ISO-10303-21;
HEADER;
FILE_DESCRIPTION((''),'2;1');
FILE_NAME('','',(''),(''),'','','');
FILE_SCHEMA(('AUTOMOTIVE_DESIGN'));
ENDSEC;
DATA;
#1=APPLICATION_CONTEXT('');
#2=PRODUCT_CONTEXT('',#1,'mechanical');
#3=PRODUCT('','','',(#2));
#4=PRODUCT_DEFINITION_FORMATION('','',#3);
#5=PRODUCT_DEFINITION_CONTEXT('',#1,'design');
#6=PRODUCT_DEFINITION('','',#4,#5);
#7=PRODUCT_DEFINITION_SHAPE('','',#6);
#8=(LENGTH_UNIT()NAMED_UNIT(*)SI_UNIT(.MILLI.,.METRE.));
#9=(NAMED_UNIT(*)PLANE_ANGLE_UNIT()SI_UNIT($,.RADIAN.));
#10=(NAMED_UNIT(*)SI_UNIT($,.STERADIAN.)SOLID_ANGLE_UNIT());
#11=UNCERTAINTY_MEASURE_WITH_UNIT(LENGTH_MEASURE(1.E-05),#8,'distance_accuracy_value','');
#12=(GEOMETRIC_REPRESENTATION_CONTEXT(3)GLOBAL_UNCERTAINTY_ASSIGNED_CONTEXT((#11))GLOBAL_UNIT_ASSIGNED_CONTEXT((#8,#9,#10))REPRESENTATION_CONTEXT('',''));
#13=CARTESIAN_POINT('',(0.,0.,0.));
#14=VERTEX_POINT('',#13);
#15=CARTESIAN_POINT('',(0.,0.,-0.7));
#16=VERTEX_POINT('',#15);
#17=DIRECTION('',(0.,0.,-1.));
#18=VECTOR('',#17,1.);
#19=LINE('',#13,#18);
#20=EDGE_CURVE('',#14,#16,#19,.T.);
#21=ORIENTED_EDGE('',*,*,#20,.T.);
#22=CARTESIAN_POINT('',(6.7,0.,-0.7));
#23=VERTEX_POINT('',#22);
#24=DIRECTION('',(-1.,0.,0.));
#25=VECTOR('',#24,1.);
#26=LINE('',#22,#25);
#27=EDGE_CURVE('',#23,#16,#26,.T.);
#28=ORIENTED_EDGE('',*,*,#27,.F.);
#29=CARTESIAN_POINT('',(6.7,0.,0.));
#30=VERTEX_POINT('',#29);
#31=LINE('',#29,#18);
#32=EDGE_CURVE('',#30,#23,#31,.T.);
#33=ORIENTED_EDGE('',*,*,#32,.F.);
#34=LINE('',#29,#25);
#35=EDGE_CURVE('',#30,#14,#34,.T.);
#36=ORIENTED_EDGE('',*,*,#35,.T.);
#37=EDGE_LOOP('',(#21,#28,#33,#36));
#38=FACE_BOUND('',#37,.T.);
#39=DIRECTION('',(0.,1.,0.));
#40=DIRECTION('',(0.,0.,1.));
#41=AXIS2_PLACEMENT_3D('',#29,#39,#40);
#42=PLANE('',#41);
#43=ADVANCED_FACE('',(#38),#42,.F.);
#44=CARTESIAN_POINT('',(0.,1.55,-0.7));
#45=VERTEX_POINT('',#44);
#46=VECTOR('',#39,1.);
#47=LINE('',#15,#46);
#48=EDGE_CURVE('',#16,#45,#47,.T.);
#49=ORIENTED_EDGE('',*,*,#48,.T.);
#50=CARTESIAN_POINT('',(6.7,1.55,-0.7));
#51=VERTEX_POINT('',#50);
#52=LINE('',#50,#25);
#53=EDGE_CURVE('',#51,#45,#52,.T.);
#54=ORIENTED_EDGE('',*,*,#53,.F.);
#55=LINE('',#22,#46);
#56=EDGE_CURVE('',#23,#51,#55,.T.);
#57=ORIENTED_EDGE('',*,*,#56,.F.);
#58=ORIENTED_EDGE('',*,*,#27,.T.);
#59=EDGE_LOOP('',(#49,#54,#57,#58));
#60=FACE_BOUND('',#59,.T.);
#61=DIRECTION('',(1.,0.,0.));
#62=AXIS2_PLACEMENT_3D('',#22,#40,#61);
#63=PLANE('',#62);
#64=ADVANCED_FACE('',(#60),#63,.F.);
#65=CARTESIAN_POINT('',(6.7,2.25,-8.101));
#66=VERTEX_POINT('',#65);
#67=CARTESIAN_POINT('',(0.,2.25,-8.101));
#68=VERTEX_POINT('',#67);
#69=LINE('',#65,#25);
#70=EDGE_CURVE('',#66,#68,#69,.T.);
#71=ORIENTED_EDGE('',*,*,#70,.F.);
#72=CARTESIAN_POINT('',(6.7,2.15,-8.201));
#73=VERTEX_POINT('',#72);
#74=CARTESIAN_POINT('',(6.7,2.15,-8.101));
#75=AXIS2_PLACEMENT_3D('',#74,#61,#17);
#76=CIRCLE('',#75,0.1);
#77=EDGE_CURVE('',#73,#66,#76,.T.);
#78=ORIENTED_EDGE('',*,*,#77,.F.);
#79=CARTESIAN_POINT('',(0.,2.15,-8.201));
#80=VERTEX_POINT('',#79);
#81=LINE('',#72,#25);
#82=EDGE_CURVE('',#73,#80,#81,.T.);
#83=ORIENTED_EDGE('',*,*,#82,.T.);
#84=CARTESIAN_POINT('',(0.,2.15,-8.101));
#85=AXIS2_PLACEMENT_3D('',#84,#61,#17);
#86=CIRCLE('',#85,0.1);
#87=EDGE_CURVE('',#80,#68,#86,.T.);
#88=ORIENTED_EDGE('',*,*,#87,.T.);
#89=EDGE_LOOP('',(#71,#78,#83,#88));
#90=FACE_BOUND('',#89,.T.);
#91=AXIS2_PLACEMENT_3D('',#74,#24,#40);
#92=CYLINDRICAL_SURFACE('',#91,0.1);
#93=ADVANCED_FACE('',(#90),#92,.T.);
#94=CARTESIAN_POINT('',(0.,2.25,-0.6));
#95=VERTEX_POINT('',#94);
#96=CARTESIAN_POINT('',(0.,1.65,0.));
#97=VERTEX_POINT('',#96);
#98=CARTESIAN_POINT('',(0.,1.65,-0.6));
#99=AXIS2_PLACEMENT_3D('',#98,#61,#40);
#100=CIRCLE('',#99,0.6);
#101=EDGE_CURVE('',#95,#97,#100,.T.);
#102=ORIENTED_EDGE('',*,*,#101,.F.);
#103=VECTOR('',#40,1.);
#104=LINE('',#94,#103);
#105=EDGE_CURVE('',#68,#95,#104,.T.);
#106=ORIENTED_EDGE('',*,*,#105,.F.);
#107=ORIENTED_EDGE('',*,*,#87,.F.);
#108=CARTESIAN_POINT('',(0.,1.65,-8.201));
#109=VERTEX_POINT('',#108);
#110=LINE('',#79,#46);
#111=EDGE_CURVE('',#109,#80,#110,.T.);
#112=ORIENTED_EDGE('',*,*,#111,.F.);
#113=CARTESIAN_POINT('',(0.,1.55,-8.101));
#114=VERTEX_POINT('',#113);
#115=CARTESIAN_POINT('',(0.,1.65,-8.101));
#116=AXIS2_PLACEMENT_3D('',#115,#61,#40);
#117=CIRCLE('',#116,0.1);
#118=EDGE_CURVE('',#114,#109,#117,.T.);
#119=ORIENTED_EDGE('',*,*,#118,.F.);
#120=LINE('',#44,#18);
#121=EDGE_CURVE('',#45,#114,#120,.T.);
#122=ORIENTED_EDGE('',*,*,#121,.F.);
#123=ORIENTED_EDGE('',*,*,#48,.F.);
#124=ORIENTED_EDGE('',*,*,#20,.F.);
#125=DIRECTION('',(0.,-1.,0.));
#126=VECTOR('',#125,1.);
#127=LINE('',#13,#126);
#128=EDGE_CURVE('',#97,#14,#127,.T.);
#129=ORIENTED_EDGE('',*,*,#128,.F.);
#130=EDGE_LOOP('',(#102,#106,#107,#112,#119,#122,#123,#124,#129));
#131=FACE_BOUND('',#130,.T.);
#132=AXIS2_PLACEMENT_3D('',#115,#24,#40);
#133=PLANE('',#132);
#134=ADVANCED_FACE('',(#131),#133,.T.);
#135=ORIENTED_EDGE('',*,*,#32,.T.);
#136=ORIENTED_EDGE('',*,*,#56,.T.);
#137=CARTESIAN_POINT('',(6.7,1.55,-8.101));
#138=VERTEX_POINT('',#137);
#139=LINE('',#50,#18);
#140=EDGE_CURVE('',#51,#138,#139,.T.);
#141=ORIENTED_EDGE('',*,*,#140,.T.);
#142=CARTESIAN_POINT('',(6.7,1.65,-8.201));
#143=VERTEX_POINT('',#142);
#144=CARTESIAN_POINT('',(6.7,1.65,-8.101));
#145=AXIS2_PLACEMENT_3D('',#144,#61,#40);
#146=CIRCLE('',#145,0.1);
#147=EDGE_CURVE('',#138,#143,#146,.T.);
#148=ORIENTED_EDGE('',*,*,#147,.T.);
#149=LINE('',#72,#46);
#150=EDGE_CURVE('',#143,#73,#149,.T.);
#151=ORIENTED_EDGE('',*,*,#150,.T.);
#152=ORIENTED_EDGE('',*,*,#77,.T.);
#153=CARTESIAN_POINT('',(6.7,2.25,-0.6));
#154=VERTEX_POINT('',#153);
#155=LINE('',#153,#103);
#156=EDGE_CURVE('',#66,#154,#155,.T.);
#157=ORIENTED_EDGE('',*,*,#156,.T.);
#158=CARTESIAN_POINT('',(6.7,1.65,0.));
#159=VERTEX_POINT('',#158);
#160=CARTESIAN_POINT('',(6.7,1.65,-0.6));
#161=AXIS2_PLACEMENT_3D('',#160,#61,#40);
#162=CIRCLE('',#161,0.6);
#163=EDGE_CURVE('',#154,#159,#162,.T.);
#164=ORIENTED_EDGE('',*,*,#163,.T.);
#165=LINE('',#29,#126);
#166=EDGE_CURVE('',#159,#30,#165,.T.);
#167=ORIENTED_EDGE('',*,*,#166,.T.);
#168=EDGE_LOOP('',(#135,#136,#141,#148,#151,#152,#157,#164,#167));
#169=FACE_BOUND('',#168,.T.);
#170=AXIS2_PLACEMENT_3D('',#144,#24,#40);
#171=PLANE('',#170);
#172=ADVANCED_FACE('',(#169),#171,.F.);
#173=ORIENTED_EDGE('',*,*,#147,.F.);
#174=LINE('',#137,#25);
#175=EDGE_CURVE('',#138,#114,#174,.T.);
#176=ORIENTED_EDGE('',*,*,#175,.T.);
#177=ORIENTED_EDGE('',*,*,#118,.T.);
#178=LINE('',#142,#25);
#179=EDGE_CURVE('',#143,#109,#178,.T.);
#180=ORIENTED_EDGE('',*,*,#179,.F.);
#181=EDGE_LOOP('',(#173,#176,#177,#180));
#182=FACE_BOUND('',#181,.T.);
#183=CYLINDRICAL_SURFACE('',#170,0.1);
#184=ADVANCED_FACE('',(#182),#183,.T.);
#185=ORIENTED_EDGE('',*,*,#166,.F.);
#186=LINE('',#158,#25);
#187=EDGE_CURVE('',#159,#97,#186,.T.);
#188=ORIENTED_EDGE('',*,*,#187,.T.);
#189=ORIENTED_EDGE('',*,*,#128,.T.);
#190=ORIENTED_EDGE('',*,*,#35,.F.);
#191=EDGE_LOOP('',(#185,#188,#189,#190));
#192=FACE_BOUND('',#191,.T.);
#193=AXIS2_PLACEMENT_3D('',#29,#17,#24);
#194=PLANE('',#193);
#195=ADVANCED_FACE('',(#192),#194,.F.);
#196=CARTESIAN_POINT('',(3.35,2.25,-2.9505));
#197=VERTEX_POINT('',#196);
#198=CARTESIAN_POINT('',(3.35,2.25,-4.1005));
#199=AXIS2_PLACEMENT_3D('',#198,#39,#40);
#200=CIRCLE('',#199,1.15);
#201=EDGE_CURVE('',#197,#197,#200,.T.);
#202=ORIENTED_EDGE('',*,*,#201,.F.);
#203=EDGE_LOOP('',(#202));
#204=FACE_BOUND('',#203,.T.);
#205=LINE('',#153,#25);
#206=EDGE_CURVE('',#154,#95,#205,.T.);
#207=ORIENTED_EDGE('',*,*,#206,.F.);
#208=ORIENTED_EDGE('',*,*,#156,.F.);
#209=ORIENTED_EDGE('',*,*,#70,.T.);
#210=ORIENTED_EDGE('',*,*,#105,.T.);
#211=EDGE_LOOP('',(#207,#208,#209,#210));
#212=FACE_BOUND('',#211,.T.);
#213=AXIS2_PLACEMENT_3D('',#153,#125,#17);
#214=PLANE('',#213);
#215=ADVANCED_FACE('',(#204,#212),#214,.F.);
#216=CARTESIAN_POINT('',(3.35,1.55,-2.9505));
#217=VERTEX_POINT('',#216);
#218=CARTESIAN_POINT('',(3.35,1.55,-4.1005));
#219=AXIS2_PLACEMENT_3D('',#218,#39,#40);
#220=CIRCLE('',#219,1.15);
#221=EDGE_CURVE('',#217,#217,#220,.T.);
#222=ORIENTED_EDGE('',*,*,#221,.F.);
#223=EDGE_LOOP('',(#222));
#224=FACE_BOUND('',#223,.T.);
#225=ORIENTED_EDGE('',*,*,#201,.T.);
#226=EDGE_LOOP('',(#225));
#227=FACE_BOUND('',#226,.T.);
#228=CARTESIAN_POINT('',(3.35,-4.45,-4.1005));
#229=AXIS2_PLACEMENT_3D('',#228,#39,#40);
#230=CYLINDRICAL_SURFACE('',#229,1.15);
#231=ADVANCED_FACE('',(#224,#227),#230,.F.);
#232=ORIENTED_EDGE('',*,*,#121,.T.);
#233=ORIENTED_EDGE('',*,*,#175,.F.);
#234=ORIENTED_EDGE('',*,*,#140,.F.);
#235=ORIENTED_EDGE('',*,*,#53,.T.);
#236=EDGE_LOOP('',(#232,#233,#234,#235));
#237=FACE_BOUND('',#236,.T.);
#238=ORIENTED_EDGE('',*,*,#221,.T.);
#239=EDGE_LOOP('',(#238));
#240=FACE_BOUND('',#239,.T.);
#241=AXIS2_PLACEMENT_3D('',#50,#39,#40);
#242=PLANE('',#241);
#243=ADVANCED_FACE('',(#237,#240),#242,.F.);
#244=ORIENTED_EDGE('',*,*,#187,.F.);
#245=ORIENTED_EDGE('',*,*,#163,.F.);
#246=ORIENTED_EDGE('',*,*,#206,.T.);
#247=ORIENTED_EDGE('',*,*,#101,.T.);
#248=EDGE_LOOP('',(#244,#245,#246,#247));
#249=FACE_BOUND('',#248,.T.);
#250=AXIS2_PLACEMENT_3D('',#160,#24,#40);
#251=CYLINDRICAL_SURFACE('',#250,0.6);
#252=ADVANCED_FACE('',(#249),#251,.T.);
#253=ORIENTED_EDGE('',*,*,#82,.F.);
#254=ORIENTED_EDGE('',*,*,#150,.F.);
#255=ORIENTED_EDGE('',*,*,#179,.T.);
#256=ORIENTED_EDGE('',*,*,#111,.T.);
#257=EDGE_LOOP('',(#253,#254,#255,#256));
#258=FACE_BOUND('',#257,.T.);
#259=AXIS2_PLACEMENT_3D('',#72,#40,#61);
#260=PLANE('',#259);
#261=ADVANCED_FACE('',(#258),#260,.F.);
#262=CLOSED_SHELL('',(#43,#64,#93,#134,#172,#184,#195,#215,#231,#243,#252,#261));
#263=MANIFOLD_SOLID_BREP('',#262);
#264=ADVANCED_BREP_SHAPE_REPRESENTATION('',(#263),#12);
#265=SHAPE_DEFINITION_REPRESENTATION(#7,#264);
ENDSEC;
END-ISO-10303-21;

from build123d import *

# Parameters (mm, degrees)
RESSALTO_EXTRUS_O12_DEPTH = 6.7
ESBO_O7_R                 = 1.15
CORTE_EXTRUS_O3_DEPTH     = 6.7


with BuildPart() as part:
    # Esboço4 → Ressalto-extrusão12 (new body)
    with BuildSketch(Plane(origin=(0, 0, 0), x_dir=(0, 0, -1), z_dir=(1, 0, 0))):
        with BuildLine():
            Line((0, 0), (0, 1.65))
            ThreePointArc((0, 1.65), (0.175735931, 2.074264069), (0.6, 2.25))
            Line((0.6, 2.25), (8.101, 2.25))
            ThreePointArc((8.101, 2.25), (8.171710678, 2.220710678), (8.201, 2.15))
            Line((8.201, 2.15), (8.201, 1.65))
            ThreePointArc((8.201, 1.65), (8.171710678, 1.579289322), (8.101, 1.55))
            Line((8.101, 1.55), (0.7, 1.55))
            Line((0.7, 1.55), (0.7, 0))
            Line((0.7, 0), (0, 0))
        make_face()
    extrude(amount=RESSALTO_EXTRUS_O12_DEPTH)

    # Esboço7 → Corte-extrusão3 (cut)
    with BuildSketch(Plane(origin=(0, 2.25, 0), x_dir=(1, 0, 0), z_dir=(0, 1, 0))):
        with Locations((3.35, 4.1005)):
            Circle(ESBO_O7_R)
    extrude(amount=-CORTE_EXTRUS_O3_DEPTH, mode=Mode.SUBTRACT)


solid = part.part
